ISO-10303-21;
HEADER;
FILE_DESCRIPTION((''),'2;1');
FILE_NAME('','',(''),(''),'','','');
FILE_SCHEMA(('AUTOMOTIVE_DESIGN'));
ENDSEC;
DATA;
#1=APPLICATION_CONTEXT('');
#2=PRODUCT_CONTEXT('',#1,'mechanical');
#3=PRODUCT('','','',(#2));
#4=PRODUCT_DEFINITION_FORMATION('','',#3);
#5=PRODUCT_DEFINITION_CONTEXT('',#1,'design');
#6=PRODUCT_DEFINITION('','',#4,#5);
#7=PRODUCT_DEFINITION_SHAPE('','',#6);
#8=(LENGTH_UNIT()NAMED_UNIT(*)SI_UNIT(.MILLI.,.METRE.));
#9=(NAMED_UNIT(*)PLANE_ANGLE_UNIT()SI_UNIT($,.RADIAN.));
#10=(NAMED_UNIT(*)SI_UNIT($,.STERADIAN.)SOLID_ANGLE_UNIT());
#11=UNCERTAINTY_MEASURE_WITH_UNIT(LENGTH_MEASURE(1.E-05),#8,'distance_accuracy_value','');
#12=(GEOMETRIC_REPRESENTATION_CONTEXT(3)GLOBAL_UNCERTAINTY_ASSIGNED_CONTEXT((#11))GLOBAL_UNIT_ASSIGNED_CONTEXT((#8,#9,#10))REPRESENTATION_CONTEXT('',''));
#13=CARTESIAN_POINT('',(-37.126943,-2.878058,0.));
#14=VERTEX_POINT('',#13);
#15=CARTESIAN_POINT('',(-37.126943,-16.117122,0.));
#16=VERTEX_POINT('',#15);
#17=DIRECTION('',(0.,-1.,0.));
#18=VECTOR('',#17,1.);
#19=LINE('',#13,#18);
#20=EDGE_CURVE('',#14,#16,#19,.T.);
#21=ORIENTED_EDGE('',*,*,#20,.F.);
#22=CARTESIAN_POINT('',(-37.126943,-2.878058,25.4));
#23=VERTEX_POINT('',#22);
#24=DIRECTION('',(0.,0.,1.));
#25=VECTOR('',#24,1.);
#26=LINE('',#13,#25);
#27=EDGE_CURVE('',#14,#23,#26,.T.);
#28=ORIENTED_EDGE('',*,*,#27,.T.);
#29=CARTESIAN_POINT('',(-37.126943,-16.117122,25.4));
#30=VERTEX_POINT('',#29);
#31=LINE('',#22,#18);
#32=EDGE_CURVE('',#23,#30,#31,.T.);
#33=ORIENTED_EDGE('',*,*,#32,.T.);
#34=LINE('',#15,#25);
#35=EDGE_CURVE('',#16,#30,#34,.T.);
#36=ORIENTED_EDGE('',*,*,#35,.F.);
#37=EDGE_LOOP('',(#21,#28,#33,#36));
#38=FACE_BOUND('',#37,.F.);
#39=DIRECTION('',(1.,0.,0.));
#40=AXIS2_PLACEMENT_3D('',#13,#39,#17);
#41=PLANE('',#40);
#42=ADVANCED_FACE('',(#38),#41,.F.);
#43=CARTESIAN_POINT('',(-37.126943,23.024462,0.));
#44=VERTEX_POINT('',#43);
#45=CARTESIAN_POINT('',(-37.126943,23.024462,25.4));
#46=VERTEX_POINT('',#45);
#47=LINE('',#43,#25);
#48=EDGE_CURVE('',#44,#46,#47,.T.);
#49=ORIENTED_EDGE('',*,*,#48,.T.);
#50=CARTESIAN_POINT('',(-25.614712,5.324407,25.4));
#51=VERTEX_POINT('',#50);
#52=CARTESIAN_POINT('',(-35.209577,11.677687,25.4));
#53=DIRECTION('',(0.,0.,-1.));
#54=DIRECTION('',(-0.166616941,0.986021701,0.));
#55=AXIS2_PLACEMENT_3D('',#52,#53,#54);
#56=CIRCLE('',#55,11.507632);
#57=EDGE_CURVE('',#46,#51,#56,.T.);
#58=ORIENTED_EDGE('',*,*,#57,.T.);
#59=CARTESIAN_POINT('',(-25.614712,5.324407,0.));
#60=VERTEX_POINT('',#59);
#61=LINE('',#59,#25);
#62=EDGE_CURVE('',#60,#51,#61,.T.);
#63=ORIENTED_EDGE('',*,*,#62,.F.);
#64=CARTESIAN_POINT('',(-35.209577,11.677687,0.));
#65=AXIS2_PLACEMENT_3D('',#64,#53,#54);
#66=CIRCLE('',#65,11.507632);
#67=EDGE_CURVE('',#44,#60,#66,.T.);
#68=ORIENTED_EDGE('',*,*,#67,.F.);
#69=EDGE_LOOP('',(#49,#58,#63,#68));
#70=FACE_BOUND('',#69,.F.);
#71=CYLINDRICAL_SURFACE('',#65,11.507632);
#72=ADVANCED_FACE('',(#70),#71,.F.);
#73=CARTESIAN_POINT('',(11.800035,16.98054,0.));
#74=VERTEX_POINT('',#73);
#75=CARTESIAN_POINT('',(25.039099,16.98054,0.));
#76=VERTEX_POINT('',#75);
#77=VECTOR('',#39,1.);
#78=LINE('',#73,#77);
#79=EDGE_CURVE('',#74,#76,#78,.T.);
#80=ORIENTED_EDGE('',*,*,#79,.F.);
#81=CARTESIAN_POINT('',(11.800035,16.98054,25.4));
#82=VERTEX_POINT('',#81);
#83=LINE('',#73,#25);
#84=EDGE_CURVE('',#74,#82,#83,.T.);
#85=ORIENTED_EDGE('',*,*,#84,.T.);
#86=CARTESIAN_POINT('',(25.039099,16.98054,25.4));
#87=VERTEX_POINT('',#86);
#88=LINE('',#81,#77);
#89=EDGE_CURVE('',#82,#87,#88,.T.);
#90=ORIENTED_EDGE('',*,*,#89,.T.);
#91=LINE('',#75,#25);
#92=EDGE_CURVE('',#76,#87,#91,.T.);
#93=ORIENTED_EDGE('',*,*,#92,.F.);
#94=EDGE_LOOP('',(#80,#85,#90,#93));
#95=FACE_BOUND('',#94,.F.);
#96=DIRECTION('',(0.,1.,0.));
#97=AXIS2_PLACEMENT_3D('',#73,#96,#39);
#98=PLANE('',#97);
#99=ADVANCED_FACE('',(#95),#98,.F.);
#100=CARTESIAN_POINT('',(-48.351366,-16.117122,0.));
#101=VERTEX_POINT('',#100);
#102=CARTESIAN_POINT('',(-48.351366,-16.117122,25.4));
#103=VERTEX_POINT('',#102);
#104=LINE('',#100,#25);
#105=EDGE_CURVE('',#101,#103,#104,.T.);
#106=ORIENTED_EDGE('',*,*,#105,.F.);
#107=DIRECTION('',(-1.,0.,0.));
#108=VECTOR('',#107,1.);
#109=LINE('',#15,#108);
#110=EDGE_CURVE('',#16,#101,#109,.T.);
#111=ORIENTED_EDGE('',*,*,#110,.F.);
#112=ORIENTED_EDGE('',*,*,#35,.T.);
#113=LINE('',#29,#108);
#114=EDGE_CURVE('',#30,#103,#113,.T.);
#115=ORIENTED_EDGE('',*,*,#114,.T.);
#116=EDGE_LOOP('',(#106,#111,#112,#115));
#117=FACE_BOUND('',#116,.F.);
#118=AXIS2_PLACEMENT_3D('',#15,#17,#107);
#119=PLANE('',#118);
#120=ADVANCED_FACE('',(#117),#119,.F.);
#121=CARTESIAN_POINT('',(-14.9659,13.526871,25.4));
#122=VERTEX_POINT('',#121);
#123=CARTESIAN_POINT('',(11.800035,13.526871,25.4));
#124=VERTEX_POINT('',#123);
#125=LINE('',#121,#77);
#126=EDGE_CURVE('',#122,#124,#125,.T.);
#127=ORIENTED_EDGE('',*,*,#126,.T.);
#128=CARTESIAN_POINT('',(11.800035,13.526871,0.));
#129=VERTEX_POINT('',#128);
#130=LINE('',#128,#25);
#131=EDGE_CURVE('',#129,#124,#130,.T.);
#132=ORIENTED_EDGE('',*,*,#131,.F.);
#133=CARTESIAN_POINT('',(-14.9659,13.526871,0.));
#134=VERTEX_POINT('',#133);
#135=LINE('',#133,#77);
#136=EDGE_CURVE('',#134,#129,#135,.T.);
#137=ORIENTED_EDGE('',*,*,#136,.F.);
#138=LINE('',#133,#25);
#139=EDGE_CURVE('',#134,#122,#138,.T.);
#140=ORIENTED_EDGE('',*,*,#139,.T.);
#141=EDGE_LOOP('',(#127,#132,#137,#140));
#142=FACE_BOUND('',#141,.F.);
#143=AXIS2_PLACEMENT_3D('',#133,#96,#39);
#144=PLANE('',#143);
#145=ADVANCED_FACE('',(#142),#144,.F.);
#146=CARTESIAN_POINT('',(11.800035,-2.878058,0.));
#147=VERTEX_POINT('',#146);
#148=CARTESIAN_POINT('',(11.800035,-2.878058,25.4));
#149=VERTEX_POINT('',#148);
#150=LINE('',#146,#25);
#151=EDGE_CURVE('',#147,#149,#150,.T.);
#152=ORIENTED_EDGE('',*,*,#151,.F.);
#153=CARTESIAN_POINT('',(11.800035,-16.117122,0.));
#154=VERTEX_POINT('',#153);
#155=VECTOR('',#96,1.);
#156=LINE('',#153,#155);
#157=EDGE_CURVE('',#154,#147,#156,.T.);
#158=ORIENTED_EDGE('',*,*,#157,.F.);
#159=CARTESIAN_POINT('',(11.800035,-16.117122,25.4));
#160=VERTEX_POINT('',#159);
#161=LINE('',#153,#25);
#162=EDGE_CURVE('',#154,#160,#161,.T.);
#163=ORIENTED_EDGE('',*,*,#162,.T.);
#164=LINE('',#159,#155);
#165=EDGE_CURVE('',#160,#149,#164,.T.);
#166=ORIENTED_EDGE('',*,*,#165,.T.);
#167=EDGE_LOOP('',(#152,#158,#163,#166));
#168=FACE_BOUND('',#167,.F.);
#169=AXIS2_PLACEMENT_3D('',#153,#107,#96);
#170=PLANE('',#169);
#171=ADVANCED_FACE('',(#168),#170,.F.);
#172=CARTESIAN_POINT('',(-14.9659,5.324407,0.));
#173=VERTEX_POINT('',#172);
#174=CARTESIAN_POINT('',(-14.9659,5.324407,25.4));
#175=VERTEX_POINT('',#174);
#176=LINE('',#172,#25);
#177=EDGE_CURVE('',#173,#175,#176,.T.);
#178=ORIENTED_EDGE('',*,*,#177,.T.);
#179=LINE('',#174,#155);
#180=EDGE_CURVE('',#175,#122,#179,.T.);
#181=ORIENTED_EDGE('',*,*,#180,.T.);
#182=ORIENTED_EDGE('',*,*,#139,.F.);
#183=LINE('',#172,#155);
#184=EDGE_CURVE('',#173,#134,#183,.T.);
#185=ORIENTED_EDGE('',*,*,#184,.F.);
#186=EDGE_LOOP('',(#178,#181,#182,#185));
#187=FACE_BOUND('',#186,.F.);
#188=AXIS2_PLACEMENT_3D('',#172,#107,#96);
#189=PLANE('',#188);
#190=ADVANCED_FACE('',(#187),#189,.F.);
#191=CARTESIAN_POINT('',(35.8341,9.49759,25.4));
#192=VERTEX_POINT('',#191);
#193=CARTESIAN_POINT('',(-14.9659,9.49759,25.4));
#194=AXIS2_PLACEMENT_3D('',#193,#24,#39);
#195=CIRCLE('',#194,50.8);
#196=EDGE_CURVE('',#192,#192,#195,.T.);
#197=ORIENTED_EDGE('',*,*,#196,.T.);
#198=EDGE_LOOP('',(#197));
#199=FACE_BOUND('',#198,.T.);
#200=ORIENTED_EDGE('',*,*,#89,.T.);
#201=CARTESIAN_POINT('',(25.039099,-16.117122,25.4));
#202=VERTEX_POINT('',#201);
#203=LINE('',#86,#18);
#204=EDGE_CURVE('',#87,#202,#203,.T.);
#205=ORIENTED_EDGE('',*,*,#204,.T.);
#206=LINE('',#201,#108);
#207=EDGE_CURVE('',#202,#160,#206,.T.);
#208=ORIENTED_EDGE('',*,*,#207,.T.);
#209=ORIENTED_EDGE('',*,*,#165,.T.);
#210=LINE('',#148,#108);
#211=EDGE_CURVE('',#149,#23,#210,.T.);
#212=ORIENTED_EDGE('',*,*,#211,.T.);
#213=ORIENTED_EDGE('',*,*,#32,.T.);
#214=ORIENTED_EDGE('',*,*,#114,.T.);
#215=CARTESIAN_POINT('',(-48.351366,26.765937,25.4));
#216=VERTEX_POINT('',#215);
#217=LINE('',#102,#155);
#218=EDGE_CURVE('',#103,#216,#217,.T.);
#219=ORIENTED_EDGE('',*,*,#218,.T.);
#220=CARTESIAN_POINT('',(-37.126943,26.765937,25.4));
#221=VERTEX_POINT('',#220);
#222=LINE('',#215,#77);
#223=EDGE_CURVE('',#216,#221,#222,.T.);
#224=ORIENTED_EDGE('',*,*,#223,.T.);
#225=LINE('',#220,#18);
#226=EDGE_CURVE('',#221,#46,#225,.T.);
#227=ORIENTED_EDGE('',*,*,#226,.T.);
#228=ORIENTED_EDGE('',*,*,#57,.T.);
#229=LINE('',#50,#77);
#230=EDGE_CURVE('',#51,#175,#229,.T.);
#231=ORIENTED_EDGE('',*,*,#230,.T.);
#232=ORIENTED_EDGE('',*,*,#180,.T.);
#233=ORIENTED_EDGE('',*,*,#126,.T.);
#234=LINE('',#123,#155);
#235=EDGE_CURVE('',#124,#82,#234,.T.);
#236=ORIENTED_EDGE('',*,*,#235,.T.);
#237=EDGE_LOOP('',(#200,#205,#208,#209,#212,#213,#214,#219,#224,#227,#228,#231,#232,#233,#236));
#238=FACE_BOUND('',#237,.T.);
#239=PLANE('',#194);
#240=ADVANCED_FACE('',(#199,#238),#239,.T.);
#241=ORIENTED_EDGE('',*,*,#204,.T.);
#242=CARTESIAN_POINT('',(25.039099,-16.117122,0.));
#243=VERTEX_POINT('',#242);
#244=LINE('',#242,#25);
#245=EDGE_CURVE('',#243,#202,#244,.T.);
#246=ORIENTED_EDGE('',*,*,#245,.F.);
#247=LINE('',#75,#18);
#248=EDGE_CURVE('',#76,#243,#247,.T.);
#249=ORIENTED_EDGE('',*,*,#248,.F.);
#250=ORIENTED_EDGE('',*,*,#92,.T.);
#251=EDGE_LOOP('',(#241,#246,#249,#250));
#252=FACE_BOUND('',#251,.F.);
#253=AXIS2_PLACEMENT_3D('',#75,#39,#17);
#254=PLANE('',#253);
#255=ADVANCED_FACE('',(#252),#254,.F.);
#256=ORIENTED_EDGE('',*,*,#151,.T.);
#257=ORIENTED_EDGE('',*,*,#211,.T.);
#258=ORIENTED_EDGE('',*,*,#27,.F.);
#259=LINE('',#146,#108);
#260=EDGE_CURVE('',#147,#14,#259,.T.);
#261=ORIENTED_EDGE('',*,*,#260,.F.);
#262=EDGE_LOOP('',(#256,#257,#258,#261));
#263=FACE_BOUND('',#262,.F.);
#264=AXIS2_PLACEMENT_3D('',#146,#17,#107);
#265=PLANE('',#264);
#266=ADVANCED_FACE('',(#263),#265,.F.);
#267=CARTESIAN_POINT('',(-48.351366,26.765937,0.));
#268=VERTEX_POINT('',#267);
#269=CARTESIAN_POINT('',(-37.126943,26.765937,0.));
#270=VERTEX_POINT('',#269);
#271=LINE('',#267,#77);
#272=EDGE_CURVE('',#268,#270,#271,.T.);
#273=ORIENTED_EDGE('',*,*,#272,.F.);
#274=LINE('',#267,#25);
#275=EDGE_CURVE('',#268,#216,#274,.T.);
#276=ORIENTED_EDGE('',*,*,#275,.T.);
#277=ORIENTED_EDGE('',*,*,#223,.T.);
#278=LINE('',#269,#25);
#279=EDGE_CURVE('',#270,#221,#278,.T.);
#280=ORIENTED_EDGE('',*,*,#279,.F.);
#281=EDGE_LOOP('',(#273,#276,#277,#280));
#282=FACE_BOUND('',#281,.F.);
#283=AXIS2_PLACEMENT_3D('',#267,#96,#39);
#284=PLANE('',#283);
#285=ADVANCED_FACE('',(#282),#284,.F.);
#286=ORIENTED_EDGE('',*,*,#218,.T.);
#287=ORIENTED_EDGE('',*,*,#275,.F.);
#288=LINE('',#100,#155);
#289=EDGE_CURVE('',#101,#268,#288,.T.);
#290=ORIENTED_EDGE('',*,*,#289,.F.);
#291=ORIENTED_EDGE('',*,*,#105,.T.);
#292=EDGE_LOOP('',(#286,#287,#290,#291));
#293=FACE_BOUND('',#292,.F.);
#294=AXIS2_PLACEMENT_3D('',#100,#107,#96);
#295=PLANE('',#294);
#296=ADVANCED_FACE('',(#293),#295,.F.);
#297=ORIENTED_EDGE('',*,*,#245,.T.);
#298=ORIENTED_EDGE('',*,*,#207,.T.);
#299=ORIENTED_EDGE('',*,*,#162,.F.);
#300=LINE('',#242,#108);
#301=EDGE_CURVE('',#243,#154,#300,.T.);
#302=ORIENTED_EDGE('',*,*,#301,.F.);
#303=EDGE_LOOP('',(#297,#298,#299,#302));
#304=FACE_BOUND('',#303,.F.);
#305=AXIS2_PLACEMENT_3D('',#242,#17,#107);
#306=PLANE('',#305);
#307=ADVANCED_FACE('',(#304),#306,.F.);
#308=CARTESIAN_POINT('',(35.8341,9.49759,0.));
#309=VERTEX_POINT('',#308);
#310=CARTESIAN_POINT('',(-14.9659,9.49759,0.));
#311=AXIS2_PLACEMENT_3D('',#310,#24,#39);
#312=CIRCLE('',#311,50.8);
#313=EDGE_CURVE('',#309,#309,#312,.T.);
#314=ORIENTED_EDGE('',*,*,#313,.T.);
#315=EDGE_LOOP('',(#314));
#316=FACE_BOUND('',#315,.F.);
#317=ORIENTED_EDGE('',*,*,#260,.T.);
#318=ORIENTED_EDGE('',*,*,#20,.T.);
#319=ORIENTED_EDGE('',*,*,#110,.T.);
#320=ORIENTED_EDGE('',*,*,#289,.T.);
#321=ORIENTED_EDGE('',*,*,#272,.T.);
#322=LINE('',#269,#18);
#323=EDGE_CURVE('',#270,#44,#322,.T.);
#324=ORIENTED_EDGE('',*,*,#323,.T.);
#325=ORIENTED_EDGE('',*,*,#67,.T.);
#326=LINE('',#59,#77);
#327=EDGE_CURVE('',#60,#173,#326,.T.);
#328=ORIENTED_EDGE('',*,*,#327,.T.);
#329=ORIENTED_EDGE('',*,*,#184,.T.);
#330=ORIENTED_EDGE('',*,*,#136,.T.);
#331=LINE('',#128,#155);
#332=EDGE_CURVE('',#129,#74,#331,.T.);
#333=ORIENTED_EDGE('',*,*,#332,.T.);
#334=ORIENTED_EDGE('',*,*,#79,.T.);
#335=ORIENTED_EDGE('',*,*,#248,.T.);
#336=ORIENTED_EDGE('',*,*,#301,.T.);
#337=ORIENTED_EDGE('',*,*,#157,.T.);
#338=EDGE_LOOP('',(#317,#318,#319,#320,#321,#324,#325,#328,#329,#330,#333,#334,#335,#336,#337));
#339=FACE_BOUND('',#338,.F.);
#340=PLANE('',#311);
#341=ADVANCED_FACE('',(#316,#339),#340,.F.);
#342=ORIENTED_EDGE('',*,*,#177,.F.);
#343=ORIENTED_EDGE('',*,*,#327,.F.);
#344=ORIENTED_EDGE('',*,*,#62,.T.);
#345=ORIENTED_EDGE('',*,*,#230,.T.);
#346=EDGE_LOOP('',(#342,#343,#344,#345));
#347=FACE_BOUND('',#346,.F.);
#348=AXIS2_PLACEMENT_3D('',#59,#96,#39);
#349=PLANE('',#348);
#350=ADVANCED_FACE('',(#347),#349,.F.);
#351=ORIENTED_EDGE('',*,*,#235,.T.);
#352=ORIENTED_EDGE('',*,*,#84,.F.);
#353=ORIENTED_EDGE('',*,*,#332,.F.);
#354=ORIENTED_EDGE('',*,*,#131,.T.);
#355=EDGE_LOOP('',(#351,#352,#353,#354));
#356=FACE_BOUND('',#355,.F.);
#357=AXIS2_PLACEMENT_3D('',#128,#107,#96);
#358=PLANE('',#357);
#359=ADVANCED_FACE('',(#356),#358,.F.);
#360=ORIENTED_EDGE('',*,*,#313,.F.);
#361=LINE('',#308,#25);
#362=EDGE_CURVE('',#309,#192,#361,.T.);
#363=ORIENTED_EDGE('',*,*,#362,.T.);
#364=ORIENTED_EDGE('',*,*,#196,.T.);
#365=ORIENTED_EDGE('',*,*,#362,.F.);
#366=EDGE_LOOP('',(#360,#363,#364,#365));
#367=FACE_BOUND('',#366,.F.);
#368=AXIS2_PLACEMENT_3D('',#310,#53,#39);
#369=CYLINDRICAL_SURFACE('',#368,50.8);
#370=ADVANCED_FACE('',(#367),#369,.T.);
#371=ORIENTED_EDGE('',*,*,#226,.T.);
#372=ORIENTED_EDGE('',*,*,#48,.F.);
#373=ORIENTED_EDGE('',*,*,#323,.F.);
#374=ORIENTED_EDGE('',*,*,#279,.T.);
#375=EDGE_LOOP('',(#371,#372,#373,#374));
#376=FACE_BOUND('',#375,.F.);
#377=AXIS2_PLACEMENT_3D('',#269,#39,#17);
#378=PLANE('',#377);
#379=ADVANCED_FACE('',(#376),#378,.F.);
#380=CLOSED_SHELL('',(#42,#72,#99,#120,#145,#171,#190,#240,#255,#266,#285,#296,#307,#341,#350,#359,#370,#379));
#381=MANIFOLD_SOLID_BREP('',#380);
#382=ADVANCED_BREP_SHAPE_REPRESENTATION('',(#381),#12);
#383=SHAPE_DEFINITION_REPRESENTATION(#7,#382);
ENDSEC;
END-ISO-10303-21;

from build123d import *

# Parameters (mm, degrees)
F0_R     = 50.8
F1_DEPTH = 25.4
F2_DEPTH = 25.4


with BuildPart() as f1:
    # F0 (on Top) → F1 (new body)
    with BuildSketch(Plane.XY):
        with Locations((-14.96590022, 9.497590363)):
            Circle(F0_R)
        with BuildLine():
            Line((-37.126943469, -16.1171220243), (-48.3513660729, -16.1171220243))
            Line((-48.3513660729, -16.1171220243), (-48.3513660729, 26.7659369856))
            Line((-48.3513660729, 26.7659369856), (-37.126943469, 26.7659369856))
            Line((-37.126943469, 26.7659369856), (-37.126943469, 23.0244621634))
            ThreePointArc((-37.126943469, 23.0244621634), (-25.562868863, 17.9519693026), (-25.6147123873, 5.3244074807))
            Line((-25.6147123873, 5.3244074807), (-14.96590022, 5.3244074807))
            Line((-14.96590022, 5.3244074807), (-14.96590022, 9.497590363))
            Line((-14.96590022, 9.497590363), (-14.96590022, 13.5268708691))
            Line((-14.96590022, 13.5268708691), (11.800034903, 13.5268708691))
            Line((11.800034903, 13.5268708691), (11.800034903, 16.9805400074))
            Line((11.800034903, 16.9805400074), (25.0390991569, 16.9805400074))
            Line((25.0390991569, 16.9805400074), (25.0390991569, -16.1171220243))
            Line((25.0390991569, -16.1171220243), (11.800034903, -16.1171220243))
            Line((11.800034903, -16.1171220243), (11.800034903, -2.8780577704))
            Line((11.800034903, -2.8780577704), (-37.126943469, -2.8780577704))
            Line((-37.126943469, -2.8780577704), (-37.126943469, -16.1171220243))
        make_face(mode=Mode.SUBTRACT)
    extrude(amount=F1_DEPTH)

    # F0 (on Top) → F2 (join)
    with BuildSketch(Plane.XY):
        with Locations((-14.96590022, 9.497590363)):
            Circle(F0_R)
        with BuildLine():
            Line((-37.126943469, -16.1171220243), (-48.3513660729, -16.1171220243))
            Line((-48.3513660729, -16.1171220243), (-48.3513660729, 26.7659369856))
            Line((-48.3513660729, 26.7659369856), (-37.126943469, 26.7659369856))
            Line((-37.126943469, 26.7659369856), (-37.126943469, 23.0244621634))
            ThreePointArc((-37.126943469, 23.0244621634), (-25.562868863, 17.9519693026), (-25.6147123873, 5.3244074807))
            Line((-25.6147123873, 5.3244074807), (-14.96590022, 5.3244074807))
            Line((-14.96590022, 5.3244074807), (-14.96590022, 9.497590363))
            Line((-14.96590022, 9.497590363), (-14.96590022, 13.5268708691))
            Line((-14.96590022, 13.5268708691), (11.800034903, 13.5268708691))
            Line((11.800034903, 13.5268708691), (11.800034903, 16.9805400074))
            Line((11.800034903, 16.9805400074), (25.0390991569, 16.9805400074))
            Line((25.0390991569, 16.9805400074), (25.0390991569, -16.1171220243))
            Line((25.0390991569, -16.1171220243), (11.800034903, -16.1171220243))
            Line((11.800034903, -16.1171220243), (11.800034903, -2.8780577704))
            Line((11.800034903, -2.8780577704), (-37.126943469, -2.8780577704))
            Line((-37.126943469, -2.8780577704), (-37.126943469, -16.1171220243))
        make_face(mode=Mode.SUBTRACT)
    extrude(amount=F2_DEPTH)


solid = f1.part
